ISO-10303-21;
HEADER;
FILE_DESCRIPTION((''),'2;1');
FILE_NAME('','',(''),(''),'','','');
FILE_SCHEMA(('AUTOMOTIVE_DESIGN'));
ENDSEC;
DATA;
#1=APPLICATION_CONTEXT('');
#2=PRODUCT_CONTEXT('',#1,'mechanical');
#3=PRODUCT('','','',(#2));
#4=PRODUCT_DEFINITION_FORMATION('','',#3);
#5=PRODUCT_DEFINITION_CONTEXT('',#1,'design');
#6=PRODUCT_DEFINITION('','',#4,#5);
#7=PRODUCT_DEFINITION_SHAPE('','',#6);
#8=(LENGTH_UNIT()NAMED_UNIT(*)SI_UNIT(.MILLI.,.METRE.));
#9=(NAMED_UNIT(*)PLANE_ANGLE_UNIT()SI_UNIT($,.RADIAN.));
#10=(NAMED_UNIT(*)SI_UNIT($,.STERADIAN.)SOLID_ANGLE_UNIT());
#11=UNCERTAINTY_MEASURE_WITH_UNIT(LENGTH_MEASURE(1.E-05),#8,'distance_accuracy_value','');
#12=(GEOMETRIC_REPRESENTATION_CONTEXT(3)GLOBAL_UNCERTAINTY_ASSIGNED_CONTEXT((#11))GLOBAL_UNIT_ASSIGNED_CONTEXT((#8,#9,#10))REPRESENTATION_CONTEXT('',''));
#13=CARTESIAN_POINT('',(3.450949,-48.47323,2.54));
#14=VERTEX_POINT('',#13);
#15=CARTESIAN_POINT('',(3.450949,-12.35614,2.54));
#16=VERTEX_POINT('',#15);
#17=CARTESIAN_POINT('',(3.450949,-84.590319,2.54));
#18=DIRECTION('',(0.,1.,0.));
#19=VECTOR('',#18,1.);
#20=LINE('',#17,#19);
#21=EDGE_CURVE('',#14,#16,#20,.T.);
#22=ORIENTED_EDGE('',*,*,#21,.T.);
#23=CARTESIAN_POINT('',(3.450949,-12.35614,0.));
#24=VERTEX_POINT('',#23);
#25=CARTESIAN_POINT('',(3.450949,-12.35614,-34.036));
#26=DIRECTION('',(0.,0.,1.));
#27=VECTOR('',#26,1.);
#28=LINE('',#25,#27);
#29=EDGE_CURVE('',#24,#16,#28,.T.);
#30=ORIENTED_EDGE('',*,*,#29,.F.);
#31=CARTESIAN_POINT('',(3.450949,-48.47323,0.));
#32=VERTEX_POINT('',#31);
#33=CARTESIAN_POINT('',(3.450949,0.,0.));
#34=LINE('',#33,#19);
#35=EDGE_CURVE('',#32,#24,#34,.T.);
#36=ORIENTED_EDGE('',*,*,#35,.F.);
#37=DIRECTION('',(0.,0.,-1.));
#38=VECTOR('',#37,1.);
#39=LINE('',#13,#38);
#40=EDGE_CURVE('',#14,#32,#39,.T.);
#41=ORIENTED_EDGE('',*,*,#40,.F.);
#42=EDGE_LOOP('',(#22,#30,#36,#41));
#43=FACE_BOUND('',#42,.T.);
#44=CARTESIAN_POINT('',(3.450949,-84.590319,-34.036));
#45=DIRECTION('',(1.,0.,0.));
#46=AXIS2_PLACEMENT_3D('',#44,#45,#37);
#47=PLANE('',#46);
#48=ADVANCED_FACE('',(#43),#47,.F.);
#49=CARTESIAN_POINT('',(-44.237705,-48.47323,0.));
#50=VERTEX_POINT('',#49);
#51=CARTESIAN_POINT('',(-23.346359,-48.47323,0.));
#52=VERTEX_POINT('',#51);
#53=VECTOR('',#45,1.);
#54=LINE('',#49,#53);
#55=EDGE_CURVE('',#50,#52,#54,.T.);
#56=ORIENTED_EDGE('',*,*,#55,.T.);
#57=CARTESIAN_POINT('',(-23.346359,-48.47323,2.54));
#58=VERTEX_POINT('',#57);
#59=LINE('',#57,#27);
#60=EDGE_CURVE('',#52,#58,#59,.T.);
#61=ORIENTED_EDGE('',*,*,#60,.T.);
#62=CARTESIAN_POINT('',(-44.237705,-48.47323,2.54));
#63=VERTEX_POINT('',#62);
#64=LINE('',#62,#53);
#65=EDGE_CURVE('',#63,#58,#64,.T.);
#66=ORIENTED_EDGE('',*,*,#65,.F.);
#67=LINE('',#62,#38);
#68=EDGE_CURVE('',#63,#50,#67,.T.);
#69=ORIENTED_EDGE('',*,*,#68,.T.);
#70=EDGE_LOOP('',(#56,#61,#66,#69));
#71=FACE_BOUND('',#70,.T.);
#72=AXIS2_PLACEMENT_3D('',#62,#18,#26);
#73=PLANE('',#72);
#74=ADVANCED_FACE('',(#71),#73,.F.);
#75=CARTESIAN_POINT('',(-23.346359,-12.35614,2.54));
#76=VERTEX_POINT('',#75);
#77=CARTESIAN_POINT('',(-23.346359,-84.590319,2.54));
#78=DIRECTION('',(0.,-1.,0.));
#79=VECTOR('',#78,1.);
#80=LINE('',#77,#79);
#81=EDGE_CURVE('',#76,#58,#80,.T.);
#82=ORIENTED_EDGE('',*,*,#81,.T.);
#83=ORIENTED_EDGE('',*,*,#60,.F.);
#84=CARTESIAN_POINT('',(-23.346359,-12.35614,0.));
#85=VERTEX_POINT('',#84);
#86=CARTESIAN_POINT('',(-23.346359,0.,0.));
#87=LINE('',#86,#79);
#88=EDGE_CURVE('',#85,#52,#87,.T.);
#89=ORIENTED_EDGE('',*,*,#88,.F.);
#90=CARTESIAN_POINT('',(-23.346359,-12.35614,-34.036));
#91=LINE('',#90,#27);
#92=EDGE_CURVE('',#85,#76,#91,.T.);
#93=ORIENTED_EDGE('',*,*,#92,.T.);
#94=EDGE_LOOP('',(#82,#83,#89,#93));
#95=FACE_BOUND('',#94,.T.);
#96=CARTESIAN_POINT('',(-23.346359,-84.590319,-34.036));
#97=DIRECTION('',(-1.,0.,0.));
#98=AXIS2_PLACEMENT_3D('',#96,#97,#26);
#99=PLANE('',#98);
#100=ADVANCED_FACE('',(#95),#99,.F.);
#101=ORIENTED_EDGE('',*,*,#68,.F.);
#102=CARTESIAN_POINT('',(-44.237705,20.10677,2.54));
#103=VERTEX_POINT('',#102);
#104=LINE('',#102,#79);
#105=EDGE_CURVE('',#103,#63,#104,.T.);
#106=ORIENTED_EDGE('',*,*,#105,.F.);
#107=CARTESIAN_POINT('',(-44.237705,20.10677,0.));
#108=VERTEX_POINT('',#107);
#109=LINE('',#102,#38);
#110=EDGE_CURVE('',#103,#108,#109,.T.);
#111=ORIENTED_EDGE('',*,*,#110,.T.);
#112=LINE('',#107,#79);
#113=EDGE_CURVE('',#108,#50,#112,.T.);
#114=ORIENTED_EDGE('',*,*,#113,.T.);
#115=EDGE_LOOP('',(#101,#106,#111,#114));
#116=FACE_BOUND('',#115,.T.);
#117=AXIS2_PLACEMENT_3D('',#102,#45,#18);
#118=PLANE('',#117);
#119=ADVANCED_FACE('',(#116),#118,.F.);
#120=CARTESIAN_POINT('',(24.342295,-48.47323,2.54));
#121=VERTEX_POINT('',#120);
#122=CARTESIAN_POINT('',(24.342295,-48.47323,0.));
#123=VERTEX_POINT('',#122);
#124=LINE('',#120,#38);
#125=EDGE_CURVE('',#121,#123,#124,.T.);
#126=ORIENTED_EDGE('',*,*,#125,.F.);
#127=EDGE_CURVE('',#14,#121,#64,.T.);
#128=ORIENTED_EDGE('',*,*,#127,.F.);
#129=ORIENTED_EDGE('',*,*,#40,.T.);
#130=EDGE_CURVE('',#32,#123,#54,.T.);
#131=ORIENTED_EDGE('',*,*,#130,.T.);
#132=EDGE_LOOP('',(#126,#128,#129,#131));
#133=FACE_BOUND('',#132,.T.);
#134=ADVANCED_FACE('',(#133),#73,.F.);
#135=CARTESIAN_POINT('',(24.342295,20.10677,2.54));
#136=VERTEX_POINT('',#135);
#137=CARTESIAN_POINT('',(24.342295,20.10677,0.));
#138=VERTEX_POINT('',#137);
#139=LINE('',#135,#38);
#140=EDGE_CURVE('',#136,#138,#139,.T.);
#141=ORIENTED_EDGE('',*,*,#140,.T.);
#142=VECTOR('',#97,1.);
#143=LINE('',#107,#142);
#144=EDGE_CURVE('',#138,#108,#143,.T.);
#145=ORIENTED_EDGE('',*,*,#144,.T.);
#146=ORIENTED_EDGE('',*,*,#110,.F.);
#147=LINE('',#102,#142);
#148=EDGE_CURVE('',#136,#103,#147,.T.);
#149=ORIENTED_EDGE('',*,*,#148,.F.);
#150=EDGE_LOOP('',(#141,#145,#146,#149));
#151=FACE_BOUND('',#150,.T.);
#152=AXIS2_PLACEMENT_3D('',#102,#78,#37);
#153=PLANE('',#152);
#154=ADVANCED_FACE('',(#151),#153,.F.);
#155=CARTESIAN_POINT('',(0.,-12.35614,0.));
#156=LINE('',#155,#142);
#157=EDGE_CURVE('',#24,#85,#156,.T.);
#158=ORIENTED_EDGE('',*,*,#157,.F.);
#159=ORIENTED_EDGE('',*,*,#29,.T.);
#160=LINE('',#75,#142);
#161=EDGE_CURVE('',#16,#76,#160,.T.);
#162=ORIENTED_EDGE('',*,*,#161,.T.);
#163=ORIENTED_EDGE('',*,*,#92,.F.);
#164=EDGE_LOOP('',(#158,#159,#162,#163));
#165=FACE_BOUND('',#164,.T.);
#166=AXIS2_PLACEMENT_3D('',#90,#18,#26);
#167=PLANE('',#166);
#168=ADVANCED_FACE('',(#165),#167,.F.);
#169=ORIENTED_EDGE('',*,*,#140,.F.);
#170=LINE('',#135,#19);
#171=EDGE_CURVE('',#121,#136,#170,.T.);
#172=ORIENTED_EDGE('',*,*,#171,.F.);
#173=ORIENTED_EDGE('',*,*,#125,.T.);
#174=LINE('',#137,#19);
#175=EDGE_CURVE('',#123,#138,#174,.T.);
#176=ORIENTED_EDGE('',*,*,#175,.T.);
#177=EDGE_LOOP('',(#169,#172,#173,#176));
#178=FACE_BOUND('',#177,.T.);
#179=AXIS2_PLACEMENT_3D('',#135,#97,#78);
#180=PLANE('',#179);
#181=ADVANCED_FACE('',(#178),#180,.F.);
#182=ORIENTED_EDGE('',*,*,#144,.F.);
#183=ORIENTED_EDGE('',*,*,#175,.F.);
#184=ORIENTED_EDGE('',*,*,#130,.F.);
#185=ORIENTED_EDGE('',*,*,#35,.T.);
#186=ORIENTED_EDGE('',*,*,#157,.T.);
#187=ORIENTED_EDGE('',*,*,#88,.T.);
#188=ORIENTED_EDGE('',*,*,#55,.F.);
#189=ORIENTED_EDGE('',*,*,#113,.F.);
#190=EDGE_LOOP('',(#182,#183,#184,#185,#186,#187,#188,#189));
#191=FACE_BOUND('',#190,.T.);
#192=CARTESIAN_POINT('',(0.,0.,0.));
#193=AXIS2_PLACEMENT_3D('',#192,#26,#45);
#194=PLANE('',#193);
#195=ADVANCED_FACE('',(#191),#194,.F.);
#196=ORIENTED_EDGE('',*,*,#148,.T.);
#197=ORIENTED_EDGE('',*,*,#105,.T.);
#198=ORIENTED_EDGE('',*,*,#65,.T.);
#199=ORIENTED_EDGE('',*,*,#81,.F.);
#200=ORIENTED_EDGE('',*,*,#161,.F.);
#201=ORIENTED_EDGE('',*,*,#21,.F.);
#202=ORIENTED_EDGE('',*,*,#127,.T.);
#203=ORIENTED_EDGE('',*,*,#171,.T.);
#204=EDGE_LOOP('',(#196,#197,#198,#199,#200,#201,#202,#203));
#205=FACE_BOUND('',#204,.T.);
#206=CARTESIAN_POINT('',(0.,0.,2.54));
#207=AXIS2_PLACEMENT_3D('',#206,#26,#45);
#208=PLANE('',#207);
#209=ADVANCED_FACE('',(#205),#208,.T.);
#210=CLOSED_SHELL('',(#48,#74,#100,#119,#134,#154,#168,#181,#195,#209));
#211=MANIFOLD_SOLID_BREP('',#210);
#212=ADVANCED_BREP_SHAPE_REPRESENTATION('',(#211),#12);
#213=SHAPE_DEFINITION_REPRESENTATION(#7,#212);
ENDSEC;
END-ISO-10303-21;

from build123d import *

# Parameters (mm, degrees)
SKETCH1_W           = 68.58
SKETCH1_H           = 68.58
BOSS_EXTRUDE2_DEPTH = 2.54
SKETCH3_W           = 26.797307975
SKETCH3_H           = 72.23417836
CUT_EXTRUDE2_DEPTH  = 36.576


with BuildPart() as part:
    # Sketch1 → Boss-Extrude2 (new body)
    with BuildSketch(Plane.XY):
        with Locations((-9.947704695, -14.183229612)):
            Rectangle(SKETCH1_W, SKETCH1_H)
    extrude(amount=BOSS_EXTRUDE2_DEPTH)

    # Sketch3 → Cut-Extrude2 (cut)
    with BuildSketch(Plane.XY.offset(2.54)):
        with Locations((-9.947704695, -48.473229612)):
            Rectangle(SKETCH3_W, SKETCH3_H)
    extrude(amount=-CUT_EXTRUDE2_DEPTH, mode=Mode.SUBTRACT)


solid = part.part
